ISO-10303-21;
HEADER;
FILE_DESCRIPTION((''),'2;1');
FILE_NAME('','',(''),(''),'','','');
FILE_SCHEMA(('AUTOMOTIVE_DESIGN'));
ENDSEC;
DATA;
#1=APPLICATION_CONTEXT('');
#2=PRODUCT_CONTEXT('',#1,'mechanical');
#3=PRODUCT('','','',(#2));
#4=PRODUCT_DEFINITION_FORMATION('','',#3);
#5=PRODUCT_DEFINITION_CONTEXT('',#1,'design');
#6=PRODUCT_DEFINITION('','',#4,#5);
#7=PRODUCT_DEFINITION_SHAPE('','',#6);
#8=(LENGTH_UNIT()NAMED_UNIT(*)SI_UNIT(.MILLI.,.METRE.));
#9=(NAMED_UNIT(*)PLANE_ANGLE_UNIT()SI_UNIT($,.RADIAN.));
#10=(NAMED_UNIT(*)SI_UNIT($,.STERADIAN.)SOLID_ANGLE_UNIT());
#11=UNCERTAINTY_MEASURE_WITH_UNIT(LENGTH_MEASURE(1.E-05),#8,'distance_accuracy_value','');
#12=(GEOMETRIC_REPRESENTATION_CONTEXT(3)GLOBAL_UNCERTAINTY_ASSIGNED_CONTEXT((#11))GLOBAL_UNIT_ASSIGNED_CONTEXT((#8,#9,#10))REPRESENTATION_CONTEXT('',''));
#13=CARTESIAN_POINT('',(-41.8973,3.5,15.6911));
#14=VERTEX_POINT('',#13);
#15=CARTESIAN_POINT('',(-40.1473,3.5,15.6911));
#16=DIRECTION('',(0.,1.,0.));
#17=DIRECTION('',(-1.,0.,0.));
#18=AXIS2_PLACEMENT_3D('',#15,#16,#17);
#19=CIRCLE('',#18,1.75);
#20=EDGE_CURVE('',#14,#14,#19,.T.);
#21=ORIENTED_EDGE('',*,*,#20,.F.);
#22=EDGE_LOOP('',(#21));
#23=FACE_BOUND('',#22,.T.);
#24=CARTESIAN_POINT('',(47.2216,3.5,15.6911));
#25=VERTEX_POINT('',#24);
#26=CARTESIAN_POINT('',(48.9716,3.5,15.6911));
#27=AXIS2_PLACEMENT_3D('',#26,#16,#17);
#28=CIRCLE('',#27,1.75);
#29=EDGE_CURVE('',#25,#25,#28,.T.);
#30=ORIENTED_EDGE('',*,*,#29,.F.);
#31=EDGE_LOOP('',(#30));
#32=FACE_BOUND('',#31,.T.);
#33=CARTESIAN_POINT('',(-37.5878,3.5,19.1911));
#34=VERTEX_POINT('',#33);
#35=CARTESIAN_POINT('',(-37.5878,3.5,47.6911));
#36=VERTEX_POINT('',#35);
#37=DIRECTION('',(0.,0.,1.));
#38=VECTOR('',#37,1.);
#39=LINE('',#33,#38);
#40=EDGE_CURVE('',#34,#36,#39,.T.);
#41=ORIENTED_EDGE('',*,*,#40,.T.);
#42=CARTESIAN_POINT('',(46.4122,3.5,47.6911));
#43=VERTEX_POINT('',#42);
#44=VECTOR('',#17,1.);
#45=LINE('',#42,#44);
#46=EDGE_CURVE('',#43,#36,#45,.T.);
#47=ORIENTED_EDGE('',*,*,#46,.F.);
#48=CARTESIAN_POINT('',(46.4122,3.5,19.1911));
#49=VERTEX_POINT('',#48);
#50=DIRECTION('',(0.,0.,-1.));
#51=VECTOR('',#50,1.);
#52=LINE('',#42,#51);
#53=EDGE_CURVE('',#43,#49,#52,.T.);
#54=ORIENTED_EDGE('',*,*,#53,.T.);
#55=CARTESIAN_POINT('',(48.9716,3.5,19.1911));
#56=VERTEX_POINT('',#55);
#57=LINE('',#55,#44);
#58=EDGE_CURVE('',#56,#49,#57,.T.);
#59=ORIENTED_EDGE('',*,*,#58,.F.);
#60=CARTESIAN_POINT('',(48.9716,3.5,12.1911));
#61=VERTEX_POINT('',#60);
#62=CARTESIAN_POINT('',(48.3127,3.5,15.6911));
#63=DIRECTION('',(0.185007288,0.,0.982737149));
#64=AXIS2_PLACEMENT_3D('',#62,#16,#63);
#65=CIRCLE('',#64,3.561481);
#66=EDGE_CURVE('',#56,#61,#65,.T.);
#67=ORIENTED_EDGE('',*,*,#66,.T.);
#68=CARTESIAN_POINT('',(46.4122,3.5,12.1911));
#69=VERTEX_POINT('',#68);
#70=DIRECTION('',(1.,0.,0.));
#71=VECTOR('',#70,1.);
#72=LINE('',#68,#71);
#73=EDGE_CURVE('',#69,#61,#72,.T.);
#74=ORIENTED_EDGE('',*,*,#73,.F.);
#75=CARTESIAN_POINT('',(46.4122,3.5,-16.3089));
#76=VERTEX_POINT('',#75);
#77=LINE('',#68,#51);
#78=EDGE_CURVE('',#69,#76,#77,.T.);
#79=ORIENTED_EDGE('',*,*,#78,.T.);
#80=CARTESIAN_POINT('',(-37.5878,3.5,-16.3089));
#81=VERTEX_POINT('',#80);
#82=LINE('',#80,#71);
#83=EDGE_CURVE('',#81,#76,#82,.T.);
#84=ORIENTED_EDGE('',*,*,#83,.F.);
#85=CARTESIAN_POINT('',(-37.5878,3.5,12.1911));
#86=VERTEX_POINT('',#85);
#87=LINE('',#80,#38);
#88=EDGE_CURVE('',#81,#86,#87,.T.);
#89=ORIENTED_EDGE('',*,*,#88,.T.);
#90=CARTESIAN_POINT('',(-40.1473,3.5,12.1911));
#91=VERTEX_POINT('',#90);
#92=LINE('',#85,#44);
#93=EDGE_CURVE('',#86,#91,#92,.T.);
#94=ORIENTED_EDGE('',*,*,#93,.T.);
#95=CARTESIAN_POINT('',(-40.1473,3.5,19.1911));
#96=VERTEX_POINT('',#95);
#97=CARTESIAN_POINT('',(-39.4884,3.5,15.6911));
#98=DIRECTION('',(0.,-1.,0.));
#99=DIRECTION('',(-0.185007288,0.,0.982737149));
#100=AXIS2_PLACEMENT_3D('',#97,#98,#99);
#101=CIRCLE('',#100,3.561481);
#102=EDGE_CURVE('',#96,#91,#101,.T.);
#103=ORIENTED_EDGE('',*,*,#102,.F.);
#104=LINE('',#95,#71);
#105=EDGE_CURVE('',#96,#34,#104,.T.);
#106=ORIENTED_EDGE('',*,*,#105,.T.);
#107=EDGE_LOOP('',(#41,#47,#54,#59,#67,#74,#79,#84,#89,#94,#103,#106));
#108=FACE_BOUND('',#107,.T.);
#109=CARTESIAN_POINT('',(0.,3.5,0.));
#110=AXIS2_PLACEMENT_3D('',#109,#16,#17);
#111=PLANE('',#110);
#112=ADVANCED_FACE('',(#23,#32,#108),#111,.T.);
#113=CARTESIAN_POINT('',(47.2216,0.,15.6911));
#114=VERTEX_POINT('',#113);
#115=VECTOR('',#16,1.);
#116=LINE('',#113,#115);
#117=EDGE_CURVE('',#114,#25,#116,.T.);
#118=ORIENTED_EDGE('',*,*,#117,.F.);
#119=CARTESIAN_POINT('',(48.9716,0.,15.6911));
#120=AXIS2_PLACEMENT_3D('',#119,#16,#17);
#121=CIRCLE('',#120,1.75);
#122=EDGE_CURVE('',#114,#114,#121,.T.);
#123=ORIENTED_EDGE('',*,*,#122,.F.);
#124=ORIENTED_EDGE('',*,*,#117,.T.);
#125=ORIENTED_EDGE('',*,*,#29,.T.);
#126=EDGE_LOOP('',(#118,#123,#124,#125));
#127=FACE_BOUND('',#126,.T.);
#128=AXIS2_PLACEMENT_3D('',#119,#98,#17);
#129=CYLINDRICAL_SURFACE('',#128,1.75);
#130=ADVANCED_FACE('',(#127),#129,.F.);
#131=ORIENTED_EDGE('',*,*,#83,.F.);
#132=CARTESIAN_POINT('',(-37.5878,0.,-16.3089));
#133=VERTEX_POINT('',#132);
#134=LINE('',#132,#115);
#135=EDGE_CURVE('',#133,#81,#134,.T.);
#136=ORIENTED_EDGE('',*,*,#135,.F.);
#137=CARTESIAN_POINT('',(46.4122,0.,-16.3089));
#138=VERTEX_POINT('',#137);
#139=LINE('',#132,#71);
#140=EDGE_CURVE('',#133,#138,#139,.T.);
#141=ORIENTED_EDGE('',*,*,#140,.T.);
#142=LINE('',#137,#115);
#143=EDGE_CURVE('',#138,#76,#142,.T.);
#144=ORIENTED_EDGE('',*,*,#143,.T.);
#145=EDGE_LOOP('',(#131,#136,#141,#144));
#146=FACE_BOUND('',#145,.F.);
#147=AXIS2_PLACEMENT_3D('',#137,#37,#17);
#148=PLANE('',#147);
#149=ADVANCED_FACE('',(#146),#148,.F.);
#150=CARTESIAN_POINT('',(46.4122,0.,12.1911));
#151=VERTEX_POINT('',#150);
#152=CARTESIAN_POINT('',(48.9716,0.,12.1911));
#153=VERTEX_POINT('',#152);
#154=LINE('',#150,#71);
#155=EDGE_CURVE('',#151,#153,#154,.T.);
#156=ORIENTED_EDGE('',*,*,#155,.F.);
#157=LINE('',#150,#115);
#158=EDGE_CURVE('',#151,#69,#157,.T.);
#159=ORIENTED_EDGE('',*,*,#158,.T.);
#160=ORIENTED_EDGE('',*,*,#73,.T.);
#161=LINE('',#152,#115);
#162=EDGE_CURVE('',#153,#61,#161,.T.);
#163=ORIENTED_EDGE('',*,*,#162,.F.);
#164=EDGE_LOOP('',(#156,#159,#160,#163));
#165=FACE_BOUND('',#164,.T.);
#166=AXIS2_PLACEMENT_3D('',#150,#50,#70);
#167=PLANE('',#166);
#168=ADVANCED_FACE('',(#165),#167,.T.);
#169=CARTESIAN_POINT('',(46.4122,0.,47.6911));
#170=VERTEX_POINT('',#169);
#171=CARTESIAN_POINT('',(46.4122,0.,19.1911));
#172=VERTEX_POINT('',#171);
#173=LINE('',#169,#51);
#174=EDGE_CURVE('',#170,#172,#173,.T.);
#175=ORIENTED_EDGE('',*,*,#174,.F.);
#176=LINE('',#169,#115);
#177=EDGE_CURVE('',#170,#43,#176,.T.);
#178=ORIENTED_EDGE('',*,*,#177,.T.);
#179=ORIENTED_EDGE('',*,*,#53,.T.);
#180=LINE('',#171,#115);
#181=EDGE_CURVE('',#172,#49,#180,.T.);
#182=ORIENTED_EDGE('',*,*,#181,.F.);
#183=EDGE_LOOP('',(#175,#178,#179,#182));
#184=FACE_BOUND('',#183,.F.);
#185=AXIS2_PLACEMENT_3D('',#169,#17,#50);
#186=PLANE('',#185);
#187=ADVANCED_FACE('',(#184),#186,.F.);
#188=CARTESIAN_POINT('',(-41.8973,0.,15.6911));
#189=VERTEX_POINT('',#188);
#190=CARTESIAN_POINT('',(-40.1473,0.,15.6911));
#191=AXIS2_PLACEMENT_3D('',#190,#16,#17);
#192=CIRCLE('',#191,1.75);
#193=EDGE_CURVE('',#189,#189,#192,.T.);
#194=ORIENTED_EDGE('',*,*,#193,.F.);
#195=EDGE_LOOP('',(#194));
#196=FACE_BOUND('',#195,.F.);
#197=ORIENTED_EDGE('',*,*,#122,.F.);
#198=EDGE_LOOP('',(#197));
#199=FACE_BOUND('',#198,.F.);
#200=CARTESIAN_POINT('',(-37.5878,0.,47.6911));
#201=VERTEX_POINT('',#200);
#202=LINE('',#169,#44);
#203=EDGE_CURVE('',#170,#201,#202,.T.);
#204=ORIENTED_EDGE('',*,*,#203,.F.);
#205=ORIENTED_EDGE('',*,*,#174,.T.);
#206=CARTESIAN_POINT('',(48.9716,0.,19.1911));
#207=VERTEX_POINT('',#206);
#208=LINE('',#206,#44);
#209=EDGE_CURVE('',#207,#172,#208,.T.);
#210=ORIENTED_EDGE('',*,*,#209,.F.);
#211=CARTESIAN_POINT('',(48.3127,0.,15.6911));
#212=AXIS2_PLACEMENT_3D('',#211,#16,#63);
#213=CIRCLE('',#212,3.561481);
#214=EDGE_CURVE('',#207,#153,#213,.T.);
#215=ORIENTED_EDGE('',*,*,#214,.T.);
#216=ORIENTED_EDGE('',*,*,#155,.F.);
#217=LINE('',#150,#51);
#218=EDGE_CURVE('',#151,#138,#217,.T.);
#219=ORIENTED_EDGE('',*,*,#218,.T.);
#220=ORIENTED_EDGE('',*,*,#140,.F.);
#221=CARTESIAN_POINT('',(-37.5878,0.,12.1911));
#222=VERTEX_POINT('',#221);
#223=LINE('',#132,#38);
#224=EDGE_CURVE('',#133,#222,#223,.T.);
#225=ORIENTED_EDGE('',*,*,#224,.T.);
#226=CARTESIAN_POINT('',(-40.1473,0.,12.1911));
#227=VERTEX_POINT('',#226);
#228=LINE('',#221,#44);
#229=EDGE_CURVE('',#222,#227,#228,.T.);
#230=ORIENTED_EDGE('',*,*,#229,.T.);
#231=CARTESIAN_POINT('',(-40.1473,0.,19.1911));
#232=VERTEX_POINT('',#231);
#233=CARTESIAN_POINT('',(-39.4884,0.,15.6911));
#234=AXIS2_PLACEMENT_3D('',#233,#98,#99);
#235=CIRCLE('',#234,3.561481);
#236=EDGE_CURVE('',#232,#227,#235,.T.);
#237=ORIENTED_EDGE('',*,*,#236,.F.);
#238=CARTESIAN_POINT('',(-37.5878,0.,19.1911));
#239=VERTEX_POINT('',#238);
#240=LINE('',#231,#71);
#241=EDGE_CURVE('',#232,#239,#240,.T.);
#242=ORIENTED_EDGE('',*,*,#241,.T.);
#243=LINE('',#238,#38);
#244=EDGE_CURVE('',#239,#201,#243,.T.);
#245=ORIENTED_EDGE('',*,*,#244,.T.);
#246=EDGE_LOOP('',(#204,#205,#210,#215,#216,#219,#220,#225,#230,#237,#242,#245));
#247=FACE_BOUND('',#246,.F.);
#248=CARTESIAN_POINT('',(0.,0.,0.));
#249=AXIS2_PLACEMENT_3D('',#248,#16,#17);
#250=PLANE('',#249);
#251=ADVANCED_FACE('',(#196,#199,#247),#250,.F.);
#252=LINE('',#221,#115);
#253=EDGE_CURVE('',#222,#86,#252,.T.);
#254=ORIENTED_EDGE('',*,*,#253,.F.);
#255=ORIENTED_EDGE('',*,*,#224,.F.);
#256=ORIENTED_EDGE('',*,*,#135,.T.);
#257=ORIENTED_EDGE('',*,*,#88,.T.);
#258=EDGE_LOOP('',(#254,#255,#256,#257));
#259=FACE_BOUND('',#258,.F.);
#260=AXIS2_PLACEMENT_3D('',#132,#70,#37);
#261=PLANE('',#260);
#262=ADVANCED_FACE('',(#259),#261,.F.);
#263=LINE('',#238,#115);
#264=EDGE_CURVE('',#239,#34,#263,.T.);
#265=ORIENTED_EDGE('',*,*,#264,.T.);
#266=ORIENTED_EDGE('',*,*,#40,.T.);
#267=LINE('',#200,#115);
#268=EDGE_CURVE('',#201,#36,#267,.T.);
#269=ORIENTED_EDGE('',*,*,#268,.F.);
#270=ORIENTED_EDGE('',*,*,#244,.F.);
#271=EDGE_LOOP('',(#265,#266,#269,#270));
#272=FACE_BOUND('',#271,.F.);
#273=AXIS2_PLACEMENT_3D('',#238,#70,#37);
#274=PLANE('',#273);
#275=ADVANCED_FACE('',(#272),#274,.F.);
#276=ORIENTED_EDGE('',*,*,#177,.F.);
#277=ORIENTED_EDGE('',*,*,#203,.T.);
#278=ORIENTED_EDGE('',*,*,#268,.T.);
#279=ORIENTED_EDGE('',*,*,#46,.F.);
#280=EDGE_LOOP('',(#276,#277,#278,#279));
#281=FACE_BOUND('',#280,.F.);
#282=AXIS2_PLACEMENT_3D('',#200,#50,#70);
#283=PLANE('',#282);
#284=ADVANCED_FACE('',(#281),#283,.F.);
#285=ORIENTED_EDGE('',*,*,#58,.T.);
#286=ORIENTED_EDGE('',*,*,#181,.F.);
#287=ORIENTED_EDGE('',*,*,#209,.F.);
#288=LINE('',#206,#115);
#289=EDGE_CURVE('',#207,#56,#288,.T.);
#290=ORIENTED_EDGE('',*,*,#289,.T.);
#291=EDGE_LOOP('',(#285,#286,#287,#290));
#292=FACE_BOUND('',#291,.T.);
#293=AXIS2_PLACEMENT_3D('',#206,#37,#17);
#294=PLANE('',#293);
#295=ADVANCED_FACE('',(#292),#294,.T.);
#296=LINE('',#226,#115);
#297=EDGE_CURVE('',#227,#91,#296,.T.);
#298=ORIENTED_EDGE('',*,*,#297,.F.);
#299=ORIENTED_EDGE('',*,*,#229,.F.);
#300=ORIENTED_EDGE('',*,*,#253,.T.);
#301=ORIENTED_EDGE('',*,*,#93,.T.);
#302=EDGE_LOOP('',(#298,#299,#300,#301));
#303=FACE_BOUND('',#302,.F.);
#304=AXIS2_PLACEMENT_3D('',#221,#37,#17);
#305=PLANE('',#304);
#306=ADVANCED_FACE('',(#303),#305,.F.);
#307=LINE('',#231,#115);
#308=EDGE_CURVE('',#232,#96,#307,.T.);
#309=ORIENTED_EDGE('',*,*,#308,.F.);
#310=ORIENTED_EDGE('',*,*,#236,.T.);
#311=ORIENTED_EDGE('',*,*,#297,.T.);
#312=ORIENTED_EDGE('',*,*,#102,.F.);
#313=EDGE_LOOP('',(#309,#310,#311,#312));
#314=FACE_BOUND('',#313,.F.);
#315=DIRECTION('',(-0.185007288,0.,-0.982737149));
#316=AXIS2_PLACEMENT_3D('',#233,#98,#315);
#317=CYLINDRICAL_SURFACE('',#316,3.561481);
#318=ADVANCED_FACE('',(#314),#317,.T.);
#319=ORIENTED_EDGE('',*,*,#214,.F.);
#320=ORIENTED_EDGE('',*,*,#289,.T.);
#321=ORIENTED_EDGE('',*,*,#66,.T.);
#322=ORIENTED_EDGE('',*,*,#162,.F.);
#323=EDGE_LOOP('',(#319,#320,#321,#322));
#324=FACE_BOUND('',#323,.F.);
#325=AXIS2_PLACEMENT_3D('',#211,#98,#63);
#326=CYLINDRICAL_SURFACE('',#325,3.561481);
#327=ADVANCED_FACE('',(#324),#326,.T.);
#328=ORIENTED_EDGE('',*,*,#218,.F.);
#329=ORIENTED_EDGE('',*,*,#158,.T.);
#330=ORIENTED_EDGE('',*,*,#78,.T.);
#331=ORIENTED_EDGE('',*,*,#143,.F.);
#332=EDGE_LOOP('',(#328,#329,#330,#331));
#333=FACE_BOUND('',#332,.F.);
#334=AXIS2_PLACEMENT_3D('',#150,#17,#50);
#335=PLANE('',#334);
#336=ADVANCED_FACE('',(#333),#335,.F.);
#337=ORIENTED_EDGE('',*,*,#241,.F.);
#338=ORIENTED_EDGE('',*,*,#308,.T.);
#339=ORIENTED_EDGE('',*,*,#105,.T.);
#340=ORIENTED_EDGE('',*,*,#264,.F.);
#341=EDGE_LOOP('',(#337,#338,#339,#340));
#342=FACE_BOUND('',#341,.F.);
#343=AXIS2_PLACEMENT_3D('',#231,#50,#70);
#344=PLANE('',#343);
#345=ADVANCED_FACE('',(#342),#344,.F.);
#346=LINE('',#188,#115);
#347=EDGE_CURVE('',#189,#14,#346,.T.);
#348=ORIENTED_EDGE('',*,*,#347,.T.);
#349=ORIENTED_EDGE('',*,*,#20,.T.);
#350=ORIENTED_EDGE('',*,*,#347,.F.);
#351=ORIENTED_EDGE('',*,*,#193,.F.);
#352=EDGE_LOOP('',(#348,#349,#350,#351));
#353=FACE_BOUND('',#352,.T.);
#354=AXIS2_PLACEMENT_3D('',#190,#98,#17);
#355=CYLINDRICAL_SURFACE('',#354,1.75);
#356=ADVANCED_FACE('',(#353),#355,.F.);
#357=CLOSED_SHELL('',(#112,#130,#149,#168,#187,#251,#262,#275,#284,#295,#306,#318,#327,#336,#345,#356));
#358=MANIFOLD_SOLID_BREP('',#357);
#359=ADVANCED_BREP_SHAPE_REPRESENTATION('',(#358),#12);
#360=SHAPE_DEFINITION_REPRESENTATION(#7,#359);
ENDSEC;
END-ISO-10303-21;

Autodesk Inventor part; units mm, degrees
ref_plane "YZ Plane" through (0, 0, 0) normal (1, 0, 0) x (0, 1, 0)
ref_plane "XZ Plane" through (0, 0, 0) normal (0, 1, 0) x (-1, 0, 0)
ref_plane "XY Plane" through (0, 0, 0) normal (0, 0, 1) x (1, 0, 0)
sketch "Esboço1" plane through (0, 0, 0) normal (0, 1, 0) x (-1, 0, 0)
  line L0 (35.5878, 45.6911) -> (-44.4122, 45.6911)
  line L1 (-44.4122, 45.6911) -> (-44.4122, -14.3089)
  line L2 (-44.4122, -14.3089) -> (35.5878, -14.3089)
  line L3 (35.5878, -14.3089) -> (35.5878, 45.6911)
  line L4 (35.5878, 45.6911) -> (35.5878, -14.3089)
  line L5 (45.5878, 15.6911) -> (-44.4122, 15.6911)
  line L6 (-4.4122, 85.6911) -> (-4.4122, -84.3089)
  line L7 (-44.4122, -14.3089) -> (-44.4122, 45.6911)
  line L8 (37.5878, 47.6911) -> (-46.4122, 47.6911)
  line L9 (-46.4122, -16.3089) -> (37.5878, -16.3089)
  circle A0 centre (40.1473, 15.6911) radius 1.75
  line L10 (40.1473, 19.1911) -> (37.5878, 19.1911)
  line L11 (37.5878, 12.1911) -> (40.1473, 12.1911)
  arc A1 (40.1473, 12.1911) -> (40.1473, 19.1911) centre (39.4884, 15.6911) ccw
  line L12 (37.5878, -16.3089) -> (37.5878, 12.1911)
  line L13 (37.5878, 19.1911) -> (37.5878, 47.6911)
  line L14 (-48.9716, 19.1911) -> (-46.4122, 19.1911)
  line L15 (-46.4122, 12.1911) -> (-48.9716, 12.1911)
  circle A2 centre (-48.9716, 15.6911) radius 1.75
  arc A3 (-48.9716, 19.1911) -> (-48.9716, 12.1911) centre (-48.3127, 15.6911) ccw
  line L16 (-46.4122, 47.6911) -> (-46.4122, 19.1911)
  line L17 (-46.4122, 12.1911) -> (-46.4122, -16.3089)
  point P0 (0, 0)
  point P1 (0.5878, 15.6911)
  point P2 (-4.4122, -16.3089)
  dimension "d2" = 60
  dimension "d3" = 30
  dimension "d4" = 80
  dimension "d5" = 64
  dimension "d6" = 32
  dimension "d7" = 3.5
  dimension "d8" = 3.5
extrude "Extrusão1" add sketch "Esboço1" along normal blind 3.5 contours L3 L5 L6 L0 | L0 L6 L8 L13 L10 A1 L5 A0 L3 | L6 L5 L1 L0 | L0 L1 L2 L6 L9 L17 L15 A3 L14 L16 L8 | L5 A0 A1 L11 L12 L9 L6 L2 L3 | L3 L2 L6 L5 | L6 L2 L1 L5
properties part number "tampa_pilha"
